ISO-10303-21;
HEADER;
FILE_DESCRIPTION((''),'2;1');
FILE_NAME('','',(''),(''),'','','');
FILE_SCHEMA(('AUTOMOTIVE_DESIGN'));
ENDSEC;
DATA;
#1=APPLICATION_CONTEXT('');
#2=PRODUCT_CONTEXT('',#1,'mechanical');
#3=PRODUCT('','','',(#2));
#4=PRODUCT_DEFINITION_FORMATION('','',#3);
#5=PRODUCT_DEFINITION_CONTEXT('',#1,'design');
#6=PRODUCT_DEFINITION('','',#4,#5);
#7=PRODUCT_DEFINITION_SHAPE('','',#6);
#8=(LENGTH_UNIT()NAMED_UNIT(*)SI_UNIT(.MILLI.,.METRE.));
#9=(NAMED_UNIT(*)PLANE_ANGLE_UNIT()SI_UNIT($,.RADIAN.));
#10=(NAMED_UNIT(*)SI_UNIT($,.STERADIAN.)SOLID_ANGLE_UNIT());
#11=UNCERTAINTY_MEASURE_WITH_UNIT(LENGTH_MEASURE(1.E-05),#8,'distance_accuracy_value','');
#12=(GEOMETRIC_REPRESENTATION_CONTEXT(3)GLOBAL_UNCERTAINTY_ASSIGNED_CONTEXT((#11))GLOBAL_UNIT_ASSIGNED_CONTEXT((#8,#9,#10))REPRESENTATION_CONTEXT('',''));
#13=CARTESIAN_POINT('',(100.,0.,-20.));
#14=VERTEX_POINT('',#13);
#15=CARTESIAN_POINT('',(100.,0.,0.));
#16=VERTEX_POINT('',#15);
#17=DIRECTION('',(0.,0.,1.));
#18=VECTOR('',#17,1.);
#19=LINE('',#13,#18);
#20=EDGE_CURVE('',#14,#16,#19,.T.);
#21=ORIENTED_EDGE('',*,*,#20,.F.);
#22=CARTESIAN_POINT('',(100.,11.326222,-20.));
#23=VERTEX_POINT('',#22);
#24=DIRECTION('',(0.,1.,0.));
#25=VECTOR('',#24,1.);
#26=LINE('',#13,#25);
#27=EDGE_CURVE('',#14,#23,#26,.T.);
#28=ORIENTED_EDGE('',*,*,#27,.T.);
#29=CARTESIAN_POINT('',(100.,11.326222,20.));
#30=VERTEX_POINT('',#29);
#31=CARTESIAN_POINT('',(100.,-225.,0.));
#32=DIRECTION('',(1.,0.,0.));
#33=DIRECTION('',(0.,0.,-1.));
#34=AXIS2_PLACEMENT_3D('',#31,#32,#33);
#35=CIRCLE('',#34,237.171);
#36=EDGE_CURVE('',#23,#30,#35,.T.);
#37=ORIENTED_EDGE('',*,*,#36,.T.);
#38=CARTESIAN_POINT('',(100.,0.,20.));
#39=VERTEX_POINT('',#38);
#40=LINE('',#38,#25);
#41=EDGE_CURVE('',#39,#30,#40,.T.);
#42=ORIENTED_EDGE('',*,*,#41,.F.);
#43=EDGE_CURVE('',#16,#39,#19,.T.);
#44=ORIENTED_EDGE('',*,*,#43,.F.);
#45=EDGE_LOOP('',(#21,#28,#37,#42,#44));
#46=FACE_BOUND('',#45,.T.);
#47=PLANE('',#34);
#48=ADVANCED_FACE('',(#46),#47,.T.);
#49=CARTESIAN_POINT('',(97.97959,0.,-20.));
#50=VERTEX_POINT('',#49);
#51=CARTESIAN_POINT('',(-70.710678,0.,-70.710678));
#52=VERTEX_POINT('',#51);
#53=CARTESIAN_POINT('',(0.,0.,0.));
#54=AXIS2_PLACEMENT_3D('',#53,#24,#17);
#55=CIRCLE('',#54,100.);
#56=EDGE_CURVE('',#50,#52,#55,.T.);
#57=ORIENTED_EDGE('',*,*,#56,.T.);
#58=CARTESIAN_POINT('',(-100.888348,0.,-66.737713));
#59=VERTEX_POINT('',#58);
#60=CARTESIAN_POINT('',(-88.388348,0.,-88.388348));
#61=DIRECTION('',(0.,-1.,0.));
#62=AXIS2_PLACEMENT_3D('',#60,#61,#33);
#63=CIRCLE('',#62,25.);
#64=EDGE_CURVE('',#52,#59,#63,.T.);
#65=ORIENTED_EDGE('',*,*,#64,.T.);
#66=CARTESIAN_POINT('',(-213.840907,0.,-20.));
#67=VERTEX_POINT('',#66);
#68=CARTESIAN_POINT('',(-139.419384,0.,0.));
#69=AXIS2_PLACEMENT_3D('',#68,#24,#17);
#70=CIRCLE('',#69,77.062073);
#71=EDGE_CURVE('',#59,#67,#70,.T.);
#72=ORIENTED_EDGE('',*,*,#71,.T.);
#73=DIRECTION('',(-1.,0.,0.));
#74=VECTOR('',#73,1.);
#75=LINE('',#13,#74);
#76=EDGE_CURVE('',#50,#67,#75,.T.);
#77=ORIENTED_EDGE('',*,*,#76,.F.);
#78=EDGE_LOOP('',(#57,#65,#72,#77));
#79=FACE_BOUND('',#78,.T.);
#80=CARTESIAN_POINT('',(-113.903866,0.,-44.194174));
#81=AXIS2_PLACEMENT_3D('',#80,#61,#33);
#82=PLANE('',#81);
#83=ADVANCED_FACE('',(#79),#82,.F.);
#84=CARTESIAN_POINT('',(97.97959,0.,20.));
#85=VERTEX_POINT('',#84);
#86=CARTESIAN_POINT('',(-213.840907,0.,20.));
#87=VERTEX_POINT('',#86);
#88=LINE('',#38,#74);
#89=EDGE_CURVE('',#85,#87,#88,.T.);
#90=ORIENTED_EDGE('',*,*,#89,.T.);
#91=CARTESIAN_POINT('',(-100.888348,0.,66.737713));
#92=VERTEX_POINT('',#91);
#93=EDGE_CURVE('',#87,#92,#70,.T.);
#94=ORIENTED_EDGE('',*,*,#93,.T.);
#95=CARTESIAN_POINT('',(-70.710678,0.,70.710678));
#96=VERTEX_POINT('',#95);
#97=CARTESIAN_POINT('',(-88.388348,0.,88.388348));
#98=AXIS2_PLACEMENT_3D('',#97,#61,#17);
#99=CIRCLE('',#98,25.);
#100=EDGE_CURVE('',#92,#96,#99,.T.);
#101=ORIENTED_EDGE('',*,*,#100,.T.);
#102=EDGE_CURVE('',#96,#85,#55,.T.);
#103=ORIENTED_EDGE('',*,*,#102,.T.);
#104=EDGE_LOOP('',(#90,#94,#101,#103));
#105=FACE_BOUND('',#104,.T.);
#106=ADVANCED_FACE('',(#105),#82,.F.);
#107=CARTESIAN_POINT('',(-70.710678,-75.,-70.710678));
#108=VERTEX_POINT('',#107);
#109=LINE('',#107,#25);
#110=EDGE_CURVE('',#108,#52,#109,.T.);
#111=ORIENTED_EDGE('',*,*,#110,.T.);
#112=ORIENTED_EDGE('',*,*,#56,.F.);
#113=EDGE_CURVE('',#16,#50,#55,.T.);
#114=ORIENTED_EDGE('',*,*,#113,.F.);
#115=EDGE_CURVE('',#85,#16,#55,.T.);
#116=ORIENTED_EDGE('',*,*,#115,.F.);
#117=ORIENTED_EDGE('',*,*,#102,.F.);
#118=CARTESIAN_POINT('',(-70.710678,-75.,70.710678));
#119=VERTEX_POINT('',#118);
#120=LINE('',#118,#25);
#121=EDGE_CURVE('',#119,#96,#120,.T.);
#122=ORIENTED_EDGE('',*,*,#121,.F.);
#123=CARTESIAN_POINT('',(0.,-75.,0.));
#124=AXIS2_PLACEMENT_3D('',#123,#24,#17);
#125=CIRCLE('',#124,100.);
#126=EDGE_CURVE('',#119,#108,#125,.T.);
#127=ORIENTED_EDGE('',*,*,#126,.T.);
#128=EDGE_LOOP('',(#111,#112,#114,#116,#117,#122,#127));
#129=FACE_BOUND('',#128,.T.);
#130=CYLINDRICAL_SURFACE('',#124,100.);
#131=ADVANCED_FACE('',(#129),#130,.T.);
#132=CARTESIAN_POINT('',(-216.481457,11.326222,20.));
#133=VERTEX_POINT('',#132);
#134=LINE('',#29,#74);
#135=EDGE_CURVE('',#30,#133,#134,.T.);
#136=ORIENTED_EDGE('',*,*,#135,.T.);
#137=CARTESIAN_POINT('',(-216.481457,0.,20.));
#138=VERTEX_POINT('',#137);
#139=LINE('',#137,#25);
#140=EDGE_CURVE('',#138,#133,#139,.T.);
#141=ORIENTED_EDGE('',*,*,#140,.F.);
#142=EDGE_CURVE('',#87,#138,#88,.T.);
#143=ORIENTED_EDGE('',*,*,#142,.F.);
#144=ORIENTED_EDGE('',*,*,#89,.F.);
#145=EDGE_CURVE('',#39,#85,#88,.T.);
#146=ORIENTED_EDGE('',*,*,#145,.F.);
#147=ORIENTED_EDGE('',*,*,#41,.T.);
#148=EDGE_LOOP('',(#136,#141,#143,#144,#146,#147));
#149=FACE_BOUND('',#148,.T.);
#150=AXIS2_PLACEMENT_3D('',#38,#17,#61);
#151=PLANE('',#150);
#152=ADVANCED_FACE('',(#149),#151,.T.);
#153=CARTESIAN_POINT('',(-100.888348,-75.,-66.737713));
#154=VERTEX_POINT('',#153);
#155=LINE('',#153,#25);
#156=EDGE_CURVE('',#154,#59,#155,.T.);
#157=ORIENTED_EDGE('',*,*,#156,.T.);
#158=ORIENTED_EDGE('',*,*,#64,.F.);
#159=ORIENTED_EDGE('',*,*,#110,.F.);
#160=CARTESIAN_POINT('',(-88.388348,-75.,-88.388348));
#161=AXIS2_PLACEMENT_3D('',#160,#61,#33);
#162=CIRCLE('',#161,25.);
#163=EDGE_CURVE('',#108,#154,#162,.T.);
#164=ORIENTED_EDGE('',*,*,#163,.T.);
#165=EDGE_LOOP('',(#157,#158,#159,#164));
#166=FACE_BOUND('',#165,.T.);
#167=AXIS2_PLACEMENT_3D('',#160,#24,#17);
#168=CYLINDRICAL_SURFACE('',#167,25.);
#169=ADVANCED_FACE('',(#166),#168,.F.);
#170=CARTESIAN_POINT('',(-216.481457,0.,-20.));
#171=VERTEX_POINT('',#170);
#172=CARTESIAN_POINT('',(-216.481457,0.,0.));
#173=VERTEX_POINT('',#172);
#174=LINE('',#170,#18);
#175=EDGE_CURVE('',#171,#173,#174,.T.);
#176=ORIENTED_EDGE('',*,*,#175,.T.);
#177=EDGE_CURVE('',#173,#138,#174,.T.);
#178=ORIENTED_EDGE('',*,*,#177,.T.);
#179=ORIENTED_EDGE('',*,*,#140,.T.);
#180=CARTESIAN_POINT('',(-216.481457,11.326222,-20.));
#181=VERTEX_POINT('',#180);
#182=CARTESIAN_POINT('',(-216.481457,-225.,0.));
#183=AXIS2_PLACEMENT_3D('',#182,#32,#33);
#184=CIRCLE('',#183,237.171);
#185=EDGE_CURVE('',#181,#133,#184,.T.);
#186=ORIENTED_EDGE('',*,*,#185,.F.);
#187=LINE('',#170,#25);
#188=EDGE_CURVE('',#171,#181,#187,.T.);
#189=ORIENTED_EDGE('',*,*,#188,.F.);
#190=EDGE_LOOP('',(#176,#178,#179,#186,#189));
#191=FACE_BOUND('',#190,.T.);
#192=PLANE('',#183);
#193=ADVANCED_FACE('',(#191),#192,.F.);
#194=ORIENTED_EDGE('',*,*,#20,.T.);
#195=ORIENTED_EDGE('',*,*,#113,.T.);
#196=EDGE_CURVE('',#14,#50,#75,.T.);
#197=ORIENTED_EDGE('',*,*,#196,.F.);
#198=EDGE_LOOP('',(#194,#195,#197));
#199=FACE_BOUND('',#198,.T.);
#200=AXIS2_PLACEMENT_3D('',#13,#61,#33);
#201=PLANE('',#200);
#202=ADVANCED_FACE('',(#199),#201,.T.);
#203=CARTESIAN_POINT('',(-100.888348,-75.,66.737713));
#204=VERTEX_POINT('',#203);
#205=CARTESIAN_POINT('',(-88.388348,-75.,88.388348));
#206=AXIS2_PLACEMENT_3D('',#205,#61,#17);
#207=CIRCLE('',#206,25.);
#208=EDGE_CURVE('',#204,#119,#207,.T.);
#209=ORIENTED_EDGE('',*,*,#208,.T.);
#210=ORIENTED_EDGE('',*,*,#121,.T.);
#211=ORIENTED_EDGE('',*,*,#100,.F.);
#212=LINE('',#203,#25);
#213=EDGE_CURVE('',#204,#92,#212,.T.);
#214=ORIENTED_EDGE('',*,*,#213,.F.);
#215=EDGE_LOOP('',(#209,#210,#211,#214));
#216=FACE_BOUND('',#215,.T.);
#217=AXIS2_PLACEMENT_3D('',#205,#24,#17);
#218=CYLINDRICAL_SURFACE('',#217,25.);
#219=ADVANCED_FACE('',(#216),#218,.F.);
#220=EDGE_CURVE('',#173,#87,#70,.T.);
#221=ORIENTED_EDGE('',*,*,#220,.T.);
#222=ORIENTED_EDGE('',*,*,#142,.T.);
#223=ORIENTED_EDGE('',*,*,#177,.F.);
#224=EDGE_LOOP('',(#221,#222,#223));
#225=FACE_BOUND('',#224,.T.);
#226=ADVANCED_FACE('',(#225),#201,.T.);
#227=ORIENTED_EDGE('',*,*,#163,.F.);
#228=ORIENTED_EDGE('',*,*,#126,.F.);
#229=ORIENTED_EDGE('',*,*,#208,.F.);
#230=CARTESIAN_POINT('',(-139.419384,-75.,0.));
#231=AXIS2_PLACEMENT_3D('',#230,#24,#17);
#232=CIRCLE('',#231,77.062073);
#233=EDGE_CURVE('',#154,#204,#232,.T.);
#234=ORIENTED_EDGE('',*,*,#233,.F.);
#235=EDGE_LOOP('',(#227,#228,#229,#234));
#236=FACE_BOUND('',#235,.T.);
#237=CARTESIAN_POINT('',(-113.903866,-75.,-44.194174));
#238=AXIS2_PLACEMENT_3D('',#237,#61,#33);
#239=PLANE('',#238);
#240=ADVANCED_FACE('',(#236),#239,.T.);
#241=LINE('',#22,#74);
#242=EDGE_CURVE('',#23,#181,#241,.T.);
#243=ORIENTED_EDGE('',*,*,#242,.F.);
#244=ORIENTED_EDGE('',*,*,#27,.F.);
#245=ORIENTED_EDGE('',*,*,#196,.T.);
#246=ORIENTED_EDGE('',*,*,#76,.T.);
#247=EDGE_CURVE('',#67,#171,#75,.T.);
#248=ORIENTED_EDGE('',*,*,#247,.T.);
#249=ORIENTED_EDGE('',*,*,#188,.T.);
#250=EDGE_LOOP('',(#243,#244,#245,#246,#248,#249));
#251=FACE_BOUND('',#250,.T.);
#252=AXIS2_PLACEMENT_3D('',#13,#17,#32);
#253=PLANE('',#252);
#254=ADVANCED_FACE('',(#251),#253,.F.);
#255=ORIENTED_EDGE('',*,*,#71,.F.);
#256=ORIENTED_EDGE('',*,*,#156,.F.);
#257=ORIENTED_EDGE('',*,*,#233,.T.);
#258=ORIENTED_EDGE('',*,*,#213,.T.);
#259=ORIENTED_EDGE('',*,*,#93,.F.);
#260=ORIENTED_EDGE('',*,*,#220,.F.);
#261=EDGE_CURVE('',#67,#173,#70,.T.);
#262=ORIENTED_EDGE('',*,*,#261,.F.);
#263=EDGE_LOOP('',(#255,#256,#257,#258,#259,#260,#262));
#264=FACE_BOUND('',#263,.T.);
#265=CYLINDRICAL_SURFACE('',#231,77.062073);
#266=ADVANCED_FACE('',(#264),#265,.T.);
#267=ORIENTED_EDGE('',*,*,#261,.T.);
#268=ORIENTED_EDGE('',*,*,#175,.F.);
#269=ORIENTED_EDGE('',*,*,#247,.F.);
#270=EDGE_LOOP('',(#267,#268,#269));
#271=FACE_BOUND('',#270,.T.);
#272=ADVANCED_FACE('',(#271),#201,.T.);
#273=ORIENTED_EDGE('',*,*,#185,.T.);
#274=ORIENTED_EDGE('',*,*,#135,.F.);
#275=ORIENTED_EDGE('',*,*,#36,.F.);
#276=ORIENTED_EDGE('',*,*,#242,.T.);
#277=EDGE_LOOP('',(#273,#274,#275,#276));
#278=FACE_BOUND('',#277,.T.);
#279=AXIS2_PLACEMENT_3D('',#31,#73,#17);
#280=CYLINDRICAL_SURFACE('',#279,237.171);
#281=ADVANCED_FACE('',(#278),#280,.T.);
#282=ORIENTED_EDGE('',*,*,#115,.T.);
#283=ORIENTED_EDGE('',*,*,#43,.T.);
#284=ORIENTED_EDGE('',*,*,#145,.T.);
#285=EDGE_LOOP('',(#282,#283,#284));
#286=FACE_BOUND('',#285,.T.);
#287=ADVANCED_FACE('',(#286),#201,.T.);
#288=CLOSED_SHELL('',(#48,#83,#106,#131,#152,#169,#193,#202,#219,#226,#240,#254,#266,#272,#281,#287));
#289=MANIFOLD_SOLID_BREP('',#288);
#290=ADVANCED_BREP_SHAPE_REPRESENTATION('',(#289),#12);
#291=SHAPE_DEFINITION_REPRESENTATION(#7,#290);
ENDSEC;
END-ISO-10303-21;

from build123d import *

# Parameters (mm, degrees)
BOSS_EXTRUDE3_DEPTH      = 75
BOSS_EXTRUDE4_DEPTH      = 100
BOSS_EXTRUDE4_DEPTH_BACK = 216.481457


with BuildPart() as part:
    # Sketch1 → Boss-Extrude3 (new body)
    with BuildSketch(Plane(origin=(0, 0, 0), x_dir=(1, 0, 0), z_dir=(0, 1, 0))):
        with BuildLine():
            ThreePointArc((-70.710678119, -70.710678119), (100, 0), (-70.710678119, 70.710678119))
            ThreePointArc((-70.710678119, 70.710678119), (-85.125192843, 63.602226114), (-100.888347648, 66.737712554))
            ThreePointArc((-100.888347648, 66.737712554), (-216.481456572, 0), (-100.888347648, -66.737712554))
            ThreePointArc((-100.888347648, -66.737712554), (-85.125192843, -63.602226114), (-70.710678119, -70.710678119))
        make_face()
    extrude(amount=-BOSS_EXTRUDE3_DEPTH)

    # Sketch6 → Boss-Extrude4 (add, two sides)
    with BuildSketch(Plane(origin=(0, 0, 0), x_dir=(0, 0, -1), z_dir=(1, 0, 0))) as boss_extrude4_sk:
        with BuildLine():
            Line((20, 0), (20, 11.326222077))
            ThreePointArc((20, 11.326222077), (0, 12.171), (-20, 11.326222077))
            Line((-20, 11.326222077), (-20, 0))
            Line((-20, 0), (20, 0))
        make_face()
    extrude(amount=BOSS_EXTRUDE4_DEPTH)
    extrude(boss_extrude4_sk.sketch, amount=-BOSS_EXTRUDE4_DEPTH_BACK)


solid = part.part
